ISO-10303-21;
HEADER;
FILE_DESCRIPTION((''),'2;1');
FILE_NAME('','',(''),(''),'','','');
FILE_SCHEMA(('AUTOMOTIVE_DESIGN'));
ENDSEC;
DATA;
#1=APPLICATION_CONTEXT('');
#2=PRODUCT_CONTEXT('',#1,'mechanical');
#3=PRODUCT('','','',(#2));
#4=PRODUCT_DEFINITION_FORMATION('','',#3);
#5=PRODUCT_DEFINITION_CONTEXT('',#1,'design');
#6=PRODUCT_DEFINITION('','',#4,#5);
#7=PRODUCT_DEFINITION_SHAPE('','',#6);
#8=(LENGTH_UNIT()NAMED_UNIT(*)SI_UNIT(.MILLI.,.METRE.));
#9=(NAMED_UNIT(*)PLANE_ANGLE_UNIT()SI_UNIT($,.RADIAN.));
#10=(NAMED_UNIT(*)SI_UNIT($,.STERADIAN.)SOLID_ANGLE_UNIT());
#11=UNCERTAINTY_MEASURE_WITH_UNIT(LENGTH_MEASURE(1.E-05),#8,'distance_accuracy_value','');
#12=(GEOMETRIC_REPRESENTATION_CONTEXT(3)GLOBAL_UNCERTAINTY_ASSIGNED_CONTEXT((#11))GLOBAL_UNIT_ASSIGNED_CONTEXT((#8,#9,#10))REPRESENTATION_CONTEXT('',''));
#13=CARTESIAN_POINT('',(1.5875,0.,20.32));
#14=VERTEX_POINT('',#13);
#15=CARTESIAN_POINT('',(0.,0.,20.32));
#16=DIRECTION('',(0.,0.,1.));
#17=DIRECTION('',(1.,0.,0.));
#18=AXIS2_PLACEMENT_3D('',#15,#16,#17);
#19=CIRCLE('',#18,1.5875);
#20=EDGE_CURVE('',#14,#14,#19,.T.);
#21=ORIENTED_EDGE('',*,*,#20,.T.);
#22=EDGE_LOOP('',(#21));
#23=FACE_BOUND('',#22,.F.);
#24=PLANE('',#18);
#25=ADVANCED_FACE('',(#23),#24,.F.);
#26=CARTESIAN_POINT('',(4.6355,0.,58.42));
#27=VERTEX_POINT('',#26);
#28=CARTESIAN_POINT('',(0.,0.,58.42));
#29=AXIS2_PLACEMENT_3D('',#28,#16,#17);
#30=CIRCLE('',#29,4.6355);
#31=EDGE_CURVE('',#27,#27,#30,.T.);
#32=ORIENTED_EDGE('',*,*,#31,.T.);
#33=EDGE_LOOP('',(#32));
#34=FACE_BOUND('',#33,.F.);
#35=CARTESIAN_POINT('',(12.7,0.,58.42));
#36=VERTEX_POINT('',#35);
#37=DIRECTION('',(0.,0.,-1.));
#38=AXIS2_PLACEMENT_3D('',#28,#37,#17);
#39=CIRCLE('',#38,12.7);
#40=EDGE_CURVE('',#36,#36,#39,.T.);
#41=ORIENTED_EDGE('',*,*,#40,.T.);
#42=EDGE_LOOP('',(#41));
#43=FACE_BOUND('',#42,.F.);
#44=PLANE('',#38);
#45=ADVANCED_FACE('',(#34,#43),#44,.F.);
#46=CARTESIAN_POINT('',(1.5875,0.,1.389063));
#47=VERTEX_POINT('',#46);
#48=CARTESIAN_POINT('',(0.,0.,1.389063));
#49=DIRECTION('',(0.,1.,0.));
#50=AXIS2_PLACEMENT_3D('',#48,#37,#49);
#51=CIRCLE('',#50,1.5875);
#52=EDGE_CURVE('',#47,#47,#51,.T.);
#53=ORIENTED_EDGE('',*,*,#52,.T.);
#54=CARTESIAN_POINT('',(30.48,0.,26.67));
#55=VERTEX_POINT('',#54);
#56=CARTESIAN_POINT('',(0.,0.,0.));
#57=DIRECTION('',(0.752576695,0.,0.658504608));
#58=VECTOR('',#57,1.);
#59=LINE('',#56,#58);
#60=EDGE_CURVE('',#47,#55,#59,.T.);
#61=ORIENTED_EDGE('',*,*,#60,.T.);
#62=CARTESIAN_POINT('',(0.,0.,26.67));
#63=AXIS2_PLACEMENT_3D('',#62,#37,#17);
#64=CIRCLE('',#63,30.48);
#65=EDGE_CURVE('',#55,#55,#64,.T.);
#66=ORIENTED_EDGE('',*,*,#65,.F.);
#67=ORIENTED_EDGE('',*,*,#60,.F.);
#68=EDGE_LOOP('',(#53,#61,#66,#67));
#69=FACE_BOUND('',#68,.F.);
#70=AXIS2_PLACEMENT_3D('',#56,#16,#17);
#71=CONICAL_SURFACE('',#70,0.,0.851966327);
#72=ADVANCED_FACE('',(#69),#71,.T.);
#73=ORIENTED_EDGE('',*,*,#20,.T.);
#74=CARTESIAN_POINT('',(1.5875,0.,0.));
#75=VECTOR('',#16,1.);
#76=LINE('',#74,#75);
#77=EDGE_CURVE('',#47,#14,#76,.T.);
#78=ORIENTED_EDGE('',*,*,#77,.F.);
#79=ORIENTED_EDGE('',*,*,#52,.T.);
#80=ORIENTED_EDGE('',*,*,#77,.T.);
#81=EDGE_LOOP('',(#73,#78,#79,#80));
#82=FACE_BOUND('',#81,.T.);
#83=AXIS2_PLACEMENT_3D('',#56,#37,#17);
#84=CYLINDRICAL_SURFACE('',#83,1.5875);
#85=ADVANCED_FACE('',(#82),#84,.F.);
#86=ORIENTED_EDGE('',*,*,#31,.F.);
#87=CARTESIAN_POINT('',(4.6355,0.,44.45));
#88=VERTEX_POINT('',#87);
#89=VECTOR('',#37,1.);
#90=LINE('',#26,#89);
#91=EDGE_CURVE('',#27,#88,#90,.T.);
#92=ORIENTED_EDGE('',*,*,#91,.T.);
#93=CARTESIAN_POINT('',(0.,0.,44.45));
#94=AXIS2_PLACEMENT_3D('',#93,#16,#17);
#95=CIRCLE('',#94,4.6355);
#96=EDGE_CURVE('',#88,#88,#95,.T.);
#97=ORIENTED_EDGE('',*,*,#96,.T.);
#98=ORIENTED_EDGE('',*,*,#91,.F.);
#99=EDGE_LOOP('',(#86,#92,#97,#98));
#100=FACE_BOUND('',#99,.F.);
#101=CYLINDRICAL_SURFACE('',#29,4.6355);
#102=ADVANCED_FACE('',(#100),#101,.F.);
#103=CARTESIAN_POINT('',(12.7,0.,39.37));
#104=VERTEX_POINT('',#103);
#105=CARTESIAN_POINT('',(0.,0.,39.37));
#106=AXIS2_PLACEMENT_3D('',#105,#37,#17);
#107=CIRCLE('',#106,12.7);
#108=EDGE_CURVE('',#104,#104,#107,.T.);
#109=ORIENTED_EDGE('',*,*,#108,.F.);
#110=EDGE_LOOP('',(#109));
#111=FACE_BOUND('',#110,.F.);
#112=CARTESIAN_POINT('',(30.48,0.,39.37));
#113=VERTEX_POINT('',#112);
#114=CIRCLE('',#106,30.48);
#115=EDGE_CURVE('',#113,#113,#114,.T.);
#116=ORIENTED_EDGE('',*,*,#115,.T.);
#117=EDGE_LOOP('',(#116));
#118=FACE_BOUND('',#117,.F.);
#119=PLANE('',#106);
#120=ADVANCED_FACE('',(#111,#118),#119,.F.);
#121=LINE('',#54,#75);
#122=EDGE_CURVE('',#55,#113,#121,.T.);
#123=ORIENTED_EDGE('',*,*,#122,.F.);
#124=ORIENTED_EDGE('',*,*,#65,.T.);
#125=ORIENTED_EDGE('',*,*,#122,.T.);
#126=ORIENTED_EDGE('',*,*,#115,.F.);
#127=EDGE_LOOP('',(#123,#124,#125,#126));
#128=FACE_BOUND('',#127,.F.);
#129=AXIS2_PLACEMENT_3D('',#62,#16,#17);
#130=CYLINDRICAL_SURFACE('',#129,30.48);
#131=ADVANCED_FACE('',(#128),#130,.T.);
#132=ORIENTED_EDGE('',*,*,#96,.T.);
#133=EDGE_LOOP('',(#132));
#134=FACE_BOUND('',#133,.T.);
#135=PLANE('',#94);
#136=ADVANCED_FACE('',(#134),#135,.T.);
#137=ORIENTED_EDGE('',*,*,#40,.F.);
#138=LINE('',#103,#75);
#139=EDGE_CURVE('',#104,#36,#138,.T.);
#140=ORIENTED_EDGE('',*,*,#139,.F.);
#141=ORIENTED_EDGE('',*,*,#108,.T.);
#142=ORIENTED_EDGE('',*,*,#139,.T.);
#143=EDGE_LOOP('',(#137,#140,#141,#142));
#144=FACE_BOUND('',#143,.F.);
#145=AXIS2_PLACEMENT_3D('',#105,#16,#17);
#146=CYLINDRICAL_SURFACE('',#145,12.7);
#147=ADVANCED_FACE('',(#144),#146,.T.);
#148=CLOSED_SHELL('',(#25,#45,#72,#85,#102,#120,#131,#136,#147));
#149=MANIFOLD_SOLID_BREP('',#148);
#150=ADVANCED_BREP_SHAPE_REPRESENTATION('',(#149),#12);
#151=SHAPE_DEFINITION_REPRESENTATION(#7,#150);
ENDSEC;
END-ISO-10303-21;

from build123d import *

# Parameters (mm, degrees)
F2_R     = 4.6355
F3_DEPTH = 13.97
F4_R     = 1.5875
F5_DEPTH = 20.32


with BuildPart() as f1:
    # F0 (on Front) → F1 (revolve)
    with BuildSketch(Plane.XZ):
        Polygon((0, 58.42), (0, 0), (30.48, 26.67), (30.48, 39.37), (12.7, 39.37), (12.7, 58.42), align=None)
    revolve(axis=Axis((0, 0, 29.21), (0, 0, -1)))

    # F2 (on face) → F3 (cut)
    with BuildSketch(Plane.XY.offset(58.42)):
        Circle(F2_R)
    extrude(amount=-F3_DEPTH, mode=Mode.SUBTRACT)

    # F4 (on Top) → F5 (cut)
    with BuildSketch(Plane.XY):
        Circle(F4_R)
    extrude(amount=F5_DEPTH, mode=Mode.SUBTRACT)


solid = f1.part
